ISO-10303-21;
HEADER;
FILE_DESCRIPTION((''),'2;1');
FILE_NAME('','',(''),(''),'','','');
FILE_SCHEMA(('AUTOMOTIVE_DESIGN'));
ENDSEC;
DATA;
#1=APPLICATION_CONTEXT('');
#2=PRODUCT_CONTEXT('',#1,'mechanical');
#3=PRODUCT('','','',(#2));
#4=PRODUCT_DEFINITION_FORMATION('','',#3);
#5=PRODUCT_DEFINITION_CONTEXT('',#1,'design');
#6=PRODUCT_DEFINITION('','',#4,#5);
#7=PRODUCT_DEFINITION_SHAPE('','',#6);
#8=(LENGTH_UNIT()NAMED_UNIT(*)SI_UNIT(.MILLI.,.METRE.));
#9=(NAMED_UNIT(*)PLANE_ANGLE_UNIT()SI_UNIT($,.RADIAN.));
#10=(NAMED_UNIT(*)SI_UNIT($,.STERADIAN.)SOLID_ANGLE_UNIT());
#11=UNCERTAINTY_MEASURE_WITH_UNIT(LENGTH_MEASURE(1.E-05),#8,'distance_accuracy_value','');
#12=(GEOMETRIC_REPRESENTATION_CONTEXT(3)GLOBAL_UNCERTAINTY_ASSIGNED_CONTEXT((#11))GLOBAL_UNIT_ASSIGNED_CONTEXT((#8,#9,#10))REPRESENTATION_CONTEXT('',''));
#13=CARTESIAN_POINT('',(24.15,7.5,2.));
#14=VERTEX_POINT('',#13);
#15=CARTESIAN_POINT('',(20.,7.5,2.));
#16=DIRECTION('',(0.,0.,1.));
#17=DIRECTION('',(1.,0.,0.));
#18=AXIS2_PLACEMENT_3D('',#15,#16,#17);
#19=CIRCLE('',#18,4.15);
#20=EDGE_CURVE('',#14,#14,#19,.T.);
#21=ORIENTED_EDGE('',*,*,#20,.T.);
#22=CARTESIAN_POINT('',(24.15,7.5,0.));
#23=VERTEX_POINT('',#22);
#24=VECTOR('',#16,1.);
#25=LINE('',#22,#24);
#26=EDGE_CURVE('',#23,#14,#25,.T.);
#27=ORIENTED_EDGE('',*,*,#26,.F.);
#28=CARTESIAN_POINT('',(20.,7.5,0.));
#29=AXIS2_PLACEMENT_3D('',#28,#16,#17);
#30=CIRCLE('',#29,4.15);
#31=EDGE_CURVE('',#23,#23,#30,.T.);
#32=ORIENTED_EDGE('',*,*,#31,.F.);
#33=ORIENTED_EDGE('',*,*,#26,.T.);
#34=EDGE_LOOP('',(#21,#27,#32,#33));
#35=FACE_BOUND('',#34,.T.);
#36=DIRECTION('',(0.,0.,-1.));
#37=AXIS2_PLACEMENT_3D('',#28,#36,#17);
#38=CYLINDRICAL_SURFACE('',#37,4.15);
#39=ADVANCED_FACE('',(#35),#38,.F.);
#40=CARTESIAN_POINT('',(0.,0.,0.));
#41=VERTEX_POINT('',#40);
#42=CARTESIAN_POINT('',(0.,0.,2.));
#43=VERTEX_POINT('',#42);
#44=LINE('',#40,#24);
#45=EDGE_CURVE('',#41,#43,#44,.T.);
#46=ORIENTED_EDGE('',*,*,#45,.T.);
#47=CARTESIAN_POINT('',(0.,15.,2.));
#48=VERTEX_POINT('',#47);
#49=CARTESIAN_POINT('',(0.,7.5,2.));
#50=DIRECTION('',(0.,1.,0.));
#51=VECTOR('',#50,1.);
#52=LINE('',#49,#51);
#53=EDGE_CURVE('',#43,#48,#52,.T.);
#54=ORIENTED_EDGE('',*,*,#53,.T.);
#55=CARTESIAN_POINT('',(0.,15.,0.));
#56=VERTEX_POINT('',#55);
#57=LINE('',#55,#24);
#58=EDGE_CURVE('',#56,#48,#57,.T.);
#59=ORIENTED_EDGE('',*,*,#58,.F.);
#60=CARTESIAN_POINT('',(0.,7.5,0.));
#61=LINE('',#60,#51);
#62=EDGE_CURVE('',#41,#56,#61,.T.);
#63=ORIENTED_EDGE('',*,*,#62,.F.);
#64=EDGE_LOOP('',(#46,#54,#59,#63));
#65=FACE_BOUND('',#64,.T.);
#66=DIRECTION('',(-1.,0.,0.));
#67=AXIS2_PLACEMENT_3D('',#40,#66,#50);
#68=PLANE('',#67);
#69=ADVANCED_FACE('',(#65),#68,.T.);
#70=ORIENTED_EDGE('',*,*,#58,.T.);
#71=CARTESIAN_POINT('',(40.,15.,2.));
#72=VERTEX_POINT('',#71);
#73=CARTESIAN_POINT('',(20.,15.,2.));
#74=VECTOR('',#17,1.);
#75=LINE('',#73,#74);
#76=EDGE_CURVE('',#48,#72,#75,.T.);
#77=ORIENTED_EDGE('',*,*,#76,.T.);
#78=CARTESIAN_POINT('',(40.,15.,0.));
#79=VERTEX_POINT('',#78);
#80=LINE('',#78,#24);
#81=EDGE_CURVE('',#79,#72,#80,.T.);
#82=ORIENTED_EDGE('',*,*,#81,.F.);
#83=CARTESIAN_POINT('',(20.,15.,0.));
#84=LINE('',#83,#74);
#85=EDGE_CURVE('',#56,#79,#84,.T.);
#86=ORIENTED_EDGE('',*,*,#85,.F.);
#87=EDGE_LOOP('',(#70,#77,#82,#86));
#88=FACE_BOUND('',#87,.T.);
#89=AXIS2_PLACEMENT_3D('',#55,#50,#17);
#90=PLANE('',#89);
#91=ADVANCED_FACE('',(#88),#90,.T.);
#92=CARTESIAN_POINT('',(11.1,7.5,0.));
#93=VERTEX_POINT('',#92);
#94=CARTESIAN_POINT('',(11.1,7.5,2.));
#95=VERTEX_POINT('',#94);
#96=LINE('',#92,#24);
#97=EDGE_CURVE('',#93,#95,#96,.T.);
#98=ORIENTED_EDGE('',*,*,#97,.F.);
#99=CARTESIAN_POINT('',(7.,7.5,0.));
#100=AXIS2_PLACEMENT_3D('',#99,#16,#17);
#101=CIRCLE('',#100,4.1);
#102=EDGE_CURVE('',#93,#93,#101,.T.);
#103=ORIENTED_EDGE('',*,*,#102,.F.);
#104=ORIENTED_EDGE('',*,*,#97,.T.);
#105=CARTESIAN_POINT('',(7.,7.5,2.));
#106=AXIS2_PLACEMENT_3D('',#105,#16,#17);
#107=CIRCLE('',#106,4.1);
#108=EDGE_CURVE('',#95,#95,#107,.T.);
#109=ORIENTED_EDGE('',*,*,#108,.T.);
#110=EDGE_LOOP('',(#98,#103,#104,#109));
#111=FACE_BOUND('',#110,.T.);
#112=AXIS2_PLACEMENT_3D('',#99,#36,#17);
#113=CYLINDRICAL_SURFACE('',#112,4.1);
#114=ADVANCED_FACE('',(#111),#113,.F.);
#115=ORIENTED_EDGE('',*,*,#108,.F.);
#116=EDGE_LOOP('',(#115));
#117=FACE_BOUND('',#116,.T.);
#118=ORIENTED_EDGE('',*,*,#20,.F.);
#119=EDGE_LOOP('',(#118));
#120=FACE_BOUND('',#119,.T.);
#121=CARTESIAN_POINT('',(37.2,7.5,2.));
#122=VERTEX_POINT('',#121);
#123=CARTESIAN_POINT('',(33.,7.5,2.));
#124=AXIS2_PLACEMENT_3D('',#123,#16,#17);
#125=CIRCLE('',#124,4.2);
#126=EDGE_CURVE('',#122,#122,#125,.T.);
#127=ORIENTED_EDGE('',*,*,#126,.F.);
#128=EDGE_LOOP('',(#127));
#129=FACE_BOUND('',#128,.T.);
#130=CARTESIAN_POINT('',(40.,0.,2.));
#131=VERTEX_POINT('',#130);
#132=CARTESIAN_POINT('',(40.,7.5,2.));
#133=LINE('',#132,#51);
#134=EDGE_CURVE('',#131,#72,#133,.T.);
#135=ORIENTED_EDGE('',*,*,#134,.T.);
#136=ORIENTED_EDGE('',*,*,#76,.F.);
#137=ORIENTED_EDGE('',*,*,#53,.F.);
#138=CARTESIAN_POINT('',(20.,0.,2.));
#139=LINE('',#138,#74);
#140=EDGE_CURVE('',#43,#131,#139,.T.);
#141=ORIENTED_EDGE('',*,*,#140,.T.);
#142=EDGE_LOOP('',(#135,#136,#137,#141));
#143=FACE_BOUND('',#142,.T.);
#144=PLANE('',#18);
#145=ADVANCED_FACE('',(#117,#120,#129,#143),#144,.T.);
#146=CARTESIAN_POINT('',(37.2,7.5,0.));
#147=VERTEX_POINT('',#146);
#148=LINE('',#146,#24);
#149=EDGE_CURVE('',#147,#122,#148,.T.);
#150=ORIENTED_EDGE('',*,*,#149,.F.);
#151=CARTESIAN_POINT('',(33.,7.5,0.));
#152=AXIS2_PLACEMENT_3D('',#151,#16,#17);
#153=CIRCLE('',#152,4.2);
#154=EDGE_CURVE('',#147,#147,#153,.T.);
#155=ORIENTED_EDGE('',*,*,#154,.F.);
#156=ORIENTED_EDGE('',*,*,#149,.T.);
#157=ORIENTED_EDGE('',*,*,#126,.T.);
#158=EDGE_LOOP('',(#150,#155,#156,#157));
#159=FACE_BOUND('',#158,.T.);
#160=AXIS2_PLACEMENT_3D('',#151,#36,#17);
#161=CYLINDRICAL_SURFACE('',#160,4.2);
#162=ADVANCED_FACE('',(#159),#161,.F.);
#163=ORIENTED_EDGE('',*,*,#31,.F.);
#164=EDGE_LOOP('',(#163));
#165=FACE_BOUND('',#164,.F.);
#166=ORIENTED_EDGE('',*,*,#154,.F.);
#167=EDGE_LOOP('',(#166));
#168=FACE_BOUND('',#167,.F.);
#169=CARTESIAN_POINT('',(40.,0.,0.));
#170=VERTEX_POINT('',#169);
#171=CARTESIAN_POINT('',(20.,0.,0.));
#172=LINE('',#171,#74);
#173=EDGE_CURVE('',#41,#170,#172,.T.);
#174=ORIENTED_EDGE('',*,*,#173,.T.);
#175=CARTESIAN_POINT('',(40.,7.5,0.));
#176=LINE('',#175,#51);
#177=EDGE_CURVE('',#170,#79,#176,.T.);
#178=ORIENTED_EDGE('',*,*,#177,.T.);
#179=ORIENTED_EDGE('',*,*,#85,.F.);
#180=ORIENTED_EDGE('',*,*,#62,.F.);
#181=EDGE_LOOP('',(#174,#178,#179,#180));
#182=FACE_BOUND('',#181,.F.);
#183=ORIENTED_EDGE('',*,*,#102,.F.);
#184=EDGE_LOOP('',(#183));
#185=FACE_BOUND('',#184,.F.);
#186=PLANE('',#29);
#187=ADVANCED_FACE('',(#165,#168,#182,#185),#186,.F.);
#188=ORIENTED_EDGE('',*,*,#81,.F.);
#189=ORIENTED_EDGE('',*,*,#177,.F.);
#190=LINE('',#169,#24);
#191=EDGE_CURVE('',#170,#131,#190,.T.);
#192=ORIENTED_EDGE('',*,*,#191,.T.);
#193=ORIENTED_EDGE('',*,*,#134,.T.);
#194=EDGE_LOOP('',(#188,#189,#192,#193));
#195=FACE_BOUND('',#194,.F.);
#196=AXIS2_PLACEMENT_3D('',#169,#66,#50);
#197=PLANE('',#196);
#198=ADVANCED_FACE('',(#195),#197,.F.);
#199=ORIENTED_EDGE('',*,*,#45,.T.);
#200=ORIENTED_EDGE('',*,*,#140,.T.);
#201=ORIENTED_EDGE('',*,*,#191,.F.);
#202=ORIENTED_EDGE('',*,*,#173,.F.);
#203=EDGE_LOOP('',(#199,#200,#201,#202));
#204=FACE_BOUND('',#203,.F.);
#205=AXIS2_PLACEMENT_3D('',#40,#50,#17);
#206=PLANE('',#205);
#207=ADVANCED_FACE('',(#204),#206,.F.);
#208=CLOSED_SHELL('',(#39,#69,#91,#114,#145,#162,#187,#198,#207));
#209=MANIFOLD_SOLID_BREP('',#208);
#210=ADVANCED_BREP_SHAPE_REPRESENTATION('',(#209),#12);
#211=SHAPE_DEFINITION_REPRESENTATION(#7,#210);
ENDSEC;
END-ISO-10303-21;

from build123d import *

# Parameters (mm, degrees)
SKETCH_W   = 40
SKETCH_H   = 15
SKETCH_R   = 4.1
SKETCH_R_2 = 4.15
SKETCH_R_3 = 4.2
PAD_DEPTH  = 2


with BuildPart() as part:
    # Sketch → Pad (new body)
    with BuildSketch(Plane.XY):
        with Locations((20, 7.5)):
            Rectangle(SKETCH_W, SKETCH_H)
        with Locations((7, 7.5)):
            Circle(SKETCH_R, mode=Mode.SUBTRACT)
        with Locations((20, 7.5)):
            Circle(SKETCH_R_2, mode=Mode.SUBTRACT)
        with Locations((33, 7.5)):
            Circle(SKETCH_R_3, mode=Mode.SUBTRACT)
    extrude(amount=PAD_DEPTH)


solid = part.part
